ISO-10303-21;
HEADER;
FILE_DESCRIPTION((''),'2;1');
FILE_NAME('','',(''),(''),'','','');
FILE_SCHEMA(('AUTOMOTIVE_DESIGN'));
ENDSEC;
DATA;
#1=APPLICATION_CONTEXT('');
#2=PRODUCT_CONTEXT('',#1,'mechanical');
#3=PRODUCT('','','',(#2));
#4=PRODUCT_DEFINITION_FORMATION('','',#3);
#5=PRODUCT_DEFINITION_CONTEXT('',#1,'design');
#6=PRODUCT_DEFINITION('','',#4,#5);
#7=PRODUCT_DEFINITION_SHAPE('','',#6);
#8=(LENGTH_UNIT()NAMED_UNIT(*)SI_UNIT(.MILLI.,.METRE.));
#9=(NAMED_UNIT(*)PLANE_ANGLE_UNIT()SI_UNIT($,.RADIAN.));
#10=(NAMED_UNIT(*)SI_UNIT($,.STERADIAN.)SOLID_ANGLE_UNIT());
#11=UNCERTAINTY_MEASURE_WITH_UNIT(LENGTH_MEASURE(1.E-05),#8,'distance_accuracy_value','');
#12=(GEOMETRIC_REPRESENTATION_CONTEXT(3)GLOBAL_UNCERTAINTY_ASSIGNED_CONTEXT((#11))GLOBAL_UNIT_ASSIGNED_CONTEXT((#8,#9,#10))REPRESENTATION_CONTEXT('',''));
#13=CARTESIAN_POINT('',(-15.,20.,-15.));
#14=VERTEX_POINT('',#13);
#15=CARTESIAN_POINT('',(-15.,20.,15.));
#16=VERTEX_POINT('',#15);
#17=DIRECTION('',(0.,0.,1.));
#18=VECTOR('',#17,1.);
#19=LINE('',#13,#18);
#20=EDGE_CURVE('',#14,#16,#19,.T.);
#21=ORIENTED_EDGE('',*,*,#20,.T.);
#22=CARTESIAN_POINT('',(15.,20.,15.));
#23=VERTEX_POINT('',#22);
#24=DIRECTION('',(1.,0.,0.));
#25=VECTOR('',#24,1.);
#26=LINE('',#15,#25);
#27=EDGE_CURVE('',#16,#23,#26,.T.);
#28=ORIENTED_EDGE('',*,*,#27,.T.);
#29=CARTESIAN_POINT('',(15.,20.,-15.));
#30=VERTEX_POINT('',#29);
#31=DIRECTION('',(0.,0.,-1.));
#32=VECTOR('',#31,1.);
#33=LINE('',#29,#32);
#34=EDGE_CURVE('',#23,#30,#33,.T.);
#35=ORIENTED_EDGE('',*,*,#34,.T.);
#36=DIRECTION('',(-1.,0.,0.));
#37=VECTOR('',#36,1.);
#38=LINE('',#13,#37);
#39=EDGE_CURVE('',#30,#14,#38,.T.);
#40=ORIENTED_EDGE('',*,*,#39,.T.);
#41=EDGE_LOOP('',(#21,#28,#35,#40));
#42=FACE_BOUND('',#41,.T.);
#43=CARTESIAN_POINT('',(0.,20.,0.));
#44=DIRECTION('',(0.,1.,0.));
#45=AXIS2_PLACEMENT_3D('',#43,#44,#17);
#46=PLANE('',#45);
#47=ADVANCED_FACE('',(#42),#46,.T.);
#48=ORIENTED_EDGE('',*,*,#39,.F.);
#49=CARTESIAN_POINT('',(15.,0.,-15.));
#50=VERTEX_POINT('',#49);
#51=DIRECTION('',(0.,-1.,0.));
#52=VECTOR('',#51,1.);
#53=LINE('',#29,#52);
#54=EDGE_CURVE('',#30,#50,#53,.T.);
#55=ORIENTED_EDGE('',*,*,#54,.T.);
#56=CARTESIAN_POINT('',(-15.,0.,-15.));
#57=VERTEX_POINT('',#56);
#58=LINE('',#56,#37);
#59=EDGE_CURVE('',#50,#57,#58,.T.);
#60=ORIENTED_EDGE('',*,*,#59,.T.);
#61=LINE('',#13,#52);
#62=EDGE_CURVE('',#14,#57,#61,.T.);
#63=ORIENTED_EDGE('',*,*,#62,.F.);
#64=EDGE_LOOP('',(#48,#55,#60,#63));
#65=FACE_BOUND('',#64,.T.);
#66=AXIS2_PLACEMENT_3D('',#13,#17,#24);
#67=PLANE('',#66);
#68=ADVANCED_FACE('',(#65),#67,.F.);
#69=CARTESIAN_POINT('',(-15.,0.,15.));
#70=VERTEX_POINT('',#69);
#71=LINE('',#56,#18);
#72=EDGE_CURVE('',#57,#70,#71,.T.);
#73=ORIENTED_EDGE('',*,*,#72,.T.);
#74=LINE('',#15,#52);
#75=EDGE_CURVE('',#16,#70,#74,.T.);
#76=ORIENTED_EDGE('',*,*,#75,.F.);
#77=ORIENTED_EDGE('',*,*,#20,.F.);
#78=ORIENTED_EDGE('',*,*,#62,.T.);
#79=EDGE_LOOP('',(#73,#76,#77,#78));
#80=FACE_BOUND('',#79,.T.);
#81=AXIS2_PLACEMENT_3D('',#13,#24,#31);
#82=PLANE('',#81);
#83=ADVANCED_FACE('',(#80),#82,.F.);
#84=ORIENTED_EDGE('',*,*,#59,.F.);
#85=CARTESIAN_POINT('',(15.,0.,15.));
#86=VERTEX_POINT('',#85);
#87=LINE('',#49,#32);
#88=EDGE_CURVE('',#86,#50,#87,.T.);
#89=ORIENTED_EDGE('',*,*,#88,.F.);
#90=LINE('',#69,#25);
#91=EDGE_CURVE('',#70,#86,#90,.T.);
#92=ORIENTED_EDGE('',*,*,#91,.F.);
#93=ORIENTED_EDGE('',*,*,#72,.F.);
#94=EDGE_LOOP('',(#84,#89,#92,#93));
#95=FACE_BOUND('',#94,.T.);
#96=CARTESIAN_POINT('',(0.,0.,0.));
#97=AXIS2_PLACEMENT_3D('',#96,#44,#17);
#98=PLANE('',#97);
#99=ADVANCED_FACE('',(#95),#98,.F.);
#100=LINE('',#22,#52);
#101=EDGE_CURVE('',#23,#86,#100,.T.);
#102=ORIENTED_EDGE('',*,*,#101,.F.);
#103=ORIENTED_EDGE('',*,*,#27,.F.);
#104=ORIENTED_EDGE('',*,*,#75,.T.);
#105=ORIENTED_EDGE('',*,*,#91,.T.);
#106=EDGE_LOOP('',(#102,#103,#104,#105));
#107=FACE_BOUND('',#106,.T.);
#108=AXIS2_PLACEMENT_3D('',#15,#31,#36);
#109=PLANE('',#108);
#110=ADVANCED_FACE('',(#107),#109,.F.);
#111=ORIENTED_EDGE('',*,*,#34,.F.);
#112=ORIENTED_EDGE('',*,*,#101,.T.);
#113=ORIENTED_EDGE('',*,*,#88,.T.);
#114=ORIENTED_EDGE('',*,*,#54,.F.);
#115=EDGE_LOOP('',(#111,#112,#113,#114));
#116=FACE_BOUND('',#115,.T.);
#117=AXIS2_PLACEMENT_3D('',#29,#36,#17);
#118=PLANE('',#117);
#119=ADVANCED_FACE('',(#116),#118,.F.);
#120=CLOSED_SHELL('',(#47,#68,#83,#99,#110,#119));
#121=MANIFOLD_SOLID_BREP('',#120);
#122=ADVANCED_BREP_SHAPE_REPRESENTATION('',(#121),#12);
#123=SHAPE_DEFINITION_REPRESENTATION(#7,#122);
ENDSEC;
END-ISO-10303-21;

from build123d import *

# Parameters (mm, degrees)
CROQUIS1_W              = 30
CROQUIS1_H              = 30
SALIENTE_EXTRUIR1_DEPTH = 20


with BuildPart() as part:
    # Croquis1 → Saliente-Extruir1 (new body)
    with BuildSketch(Plane(origin=(0, 0, 0), x_dir=(1, 0, 0), z_dir=(0, 1, 0))):
        Rectangle(CROQUIS1_W, CROQUIS1_H)
    extrude(amount=SALIENTE_EXTRUIR1_DEPTH)


solid = part.part
